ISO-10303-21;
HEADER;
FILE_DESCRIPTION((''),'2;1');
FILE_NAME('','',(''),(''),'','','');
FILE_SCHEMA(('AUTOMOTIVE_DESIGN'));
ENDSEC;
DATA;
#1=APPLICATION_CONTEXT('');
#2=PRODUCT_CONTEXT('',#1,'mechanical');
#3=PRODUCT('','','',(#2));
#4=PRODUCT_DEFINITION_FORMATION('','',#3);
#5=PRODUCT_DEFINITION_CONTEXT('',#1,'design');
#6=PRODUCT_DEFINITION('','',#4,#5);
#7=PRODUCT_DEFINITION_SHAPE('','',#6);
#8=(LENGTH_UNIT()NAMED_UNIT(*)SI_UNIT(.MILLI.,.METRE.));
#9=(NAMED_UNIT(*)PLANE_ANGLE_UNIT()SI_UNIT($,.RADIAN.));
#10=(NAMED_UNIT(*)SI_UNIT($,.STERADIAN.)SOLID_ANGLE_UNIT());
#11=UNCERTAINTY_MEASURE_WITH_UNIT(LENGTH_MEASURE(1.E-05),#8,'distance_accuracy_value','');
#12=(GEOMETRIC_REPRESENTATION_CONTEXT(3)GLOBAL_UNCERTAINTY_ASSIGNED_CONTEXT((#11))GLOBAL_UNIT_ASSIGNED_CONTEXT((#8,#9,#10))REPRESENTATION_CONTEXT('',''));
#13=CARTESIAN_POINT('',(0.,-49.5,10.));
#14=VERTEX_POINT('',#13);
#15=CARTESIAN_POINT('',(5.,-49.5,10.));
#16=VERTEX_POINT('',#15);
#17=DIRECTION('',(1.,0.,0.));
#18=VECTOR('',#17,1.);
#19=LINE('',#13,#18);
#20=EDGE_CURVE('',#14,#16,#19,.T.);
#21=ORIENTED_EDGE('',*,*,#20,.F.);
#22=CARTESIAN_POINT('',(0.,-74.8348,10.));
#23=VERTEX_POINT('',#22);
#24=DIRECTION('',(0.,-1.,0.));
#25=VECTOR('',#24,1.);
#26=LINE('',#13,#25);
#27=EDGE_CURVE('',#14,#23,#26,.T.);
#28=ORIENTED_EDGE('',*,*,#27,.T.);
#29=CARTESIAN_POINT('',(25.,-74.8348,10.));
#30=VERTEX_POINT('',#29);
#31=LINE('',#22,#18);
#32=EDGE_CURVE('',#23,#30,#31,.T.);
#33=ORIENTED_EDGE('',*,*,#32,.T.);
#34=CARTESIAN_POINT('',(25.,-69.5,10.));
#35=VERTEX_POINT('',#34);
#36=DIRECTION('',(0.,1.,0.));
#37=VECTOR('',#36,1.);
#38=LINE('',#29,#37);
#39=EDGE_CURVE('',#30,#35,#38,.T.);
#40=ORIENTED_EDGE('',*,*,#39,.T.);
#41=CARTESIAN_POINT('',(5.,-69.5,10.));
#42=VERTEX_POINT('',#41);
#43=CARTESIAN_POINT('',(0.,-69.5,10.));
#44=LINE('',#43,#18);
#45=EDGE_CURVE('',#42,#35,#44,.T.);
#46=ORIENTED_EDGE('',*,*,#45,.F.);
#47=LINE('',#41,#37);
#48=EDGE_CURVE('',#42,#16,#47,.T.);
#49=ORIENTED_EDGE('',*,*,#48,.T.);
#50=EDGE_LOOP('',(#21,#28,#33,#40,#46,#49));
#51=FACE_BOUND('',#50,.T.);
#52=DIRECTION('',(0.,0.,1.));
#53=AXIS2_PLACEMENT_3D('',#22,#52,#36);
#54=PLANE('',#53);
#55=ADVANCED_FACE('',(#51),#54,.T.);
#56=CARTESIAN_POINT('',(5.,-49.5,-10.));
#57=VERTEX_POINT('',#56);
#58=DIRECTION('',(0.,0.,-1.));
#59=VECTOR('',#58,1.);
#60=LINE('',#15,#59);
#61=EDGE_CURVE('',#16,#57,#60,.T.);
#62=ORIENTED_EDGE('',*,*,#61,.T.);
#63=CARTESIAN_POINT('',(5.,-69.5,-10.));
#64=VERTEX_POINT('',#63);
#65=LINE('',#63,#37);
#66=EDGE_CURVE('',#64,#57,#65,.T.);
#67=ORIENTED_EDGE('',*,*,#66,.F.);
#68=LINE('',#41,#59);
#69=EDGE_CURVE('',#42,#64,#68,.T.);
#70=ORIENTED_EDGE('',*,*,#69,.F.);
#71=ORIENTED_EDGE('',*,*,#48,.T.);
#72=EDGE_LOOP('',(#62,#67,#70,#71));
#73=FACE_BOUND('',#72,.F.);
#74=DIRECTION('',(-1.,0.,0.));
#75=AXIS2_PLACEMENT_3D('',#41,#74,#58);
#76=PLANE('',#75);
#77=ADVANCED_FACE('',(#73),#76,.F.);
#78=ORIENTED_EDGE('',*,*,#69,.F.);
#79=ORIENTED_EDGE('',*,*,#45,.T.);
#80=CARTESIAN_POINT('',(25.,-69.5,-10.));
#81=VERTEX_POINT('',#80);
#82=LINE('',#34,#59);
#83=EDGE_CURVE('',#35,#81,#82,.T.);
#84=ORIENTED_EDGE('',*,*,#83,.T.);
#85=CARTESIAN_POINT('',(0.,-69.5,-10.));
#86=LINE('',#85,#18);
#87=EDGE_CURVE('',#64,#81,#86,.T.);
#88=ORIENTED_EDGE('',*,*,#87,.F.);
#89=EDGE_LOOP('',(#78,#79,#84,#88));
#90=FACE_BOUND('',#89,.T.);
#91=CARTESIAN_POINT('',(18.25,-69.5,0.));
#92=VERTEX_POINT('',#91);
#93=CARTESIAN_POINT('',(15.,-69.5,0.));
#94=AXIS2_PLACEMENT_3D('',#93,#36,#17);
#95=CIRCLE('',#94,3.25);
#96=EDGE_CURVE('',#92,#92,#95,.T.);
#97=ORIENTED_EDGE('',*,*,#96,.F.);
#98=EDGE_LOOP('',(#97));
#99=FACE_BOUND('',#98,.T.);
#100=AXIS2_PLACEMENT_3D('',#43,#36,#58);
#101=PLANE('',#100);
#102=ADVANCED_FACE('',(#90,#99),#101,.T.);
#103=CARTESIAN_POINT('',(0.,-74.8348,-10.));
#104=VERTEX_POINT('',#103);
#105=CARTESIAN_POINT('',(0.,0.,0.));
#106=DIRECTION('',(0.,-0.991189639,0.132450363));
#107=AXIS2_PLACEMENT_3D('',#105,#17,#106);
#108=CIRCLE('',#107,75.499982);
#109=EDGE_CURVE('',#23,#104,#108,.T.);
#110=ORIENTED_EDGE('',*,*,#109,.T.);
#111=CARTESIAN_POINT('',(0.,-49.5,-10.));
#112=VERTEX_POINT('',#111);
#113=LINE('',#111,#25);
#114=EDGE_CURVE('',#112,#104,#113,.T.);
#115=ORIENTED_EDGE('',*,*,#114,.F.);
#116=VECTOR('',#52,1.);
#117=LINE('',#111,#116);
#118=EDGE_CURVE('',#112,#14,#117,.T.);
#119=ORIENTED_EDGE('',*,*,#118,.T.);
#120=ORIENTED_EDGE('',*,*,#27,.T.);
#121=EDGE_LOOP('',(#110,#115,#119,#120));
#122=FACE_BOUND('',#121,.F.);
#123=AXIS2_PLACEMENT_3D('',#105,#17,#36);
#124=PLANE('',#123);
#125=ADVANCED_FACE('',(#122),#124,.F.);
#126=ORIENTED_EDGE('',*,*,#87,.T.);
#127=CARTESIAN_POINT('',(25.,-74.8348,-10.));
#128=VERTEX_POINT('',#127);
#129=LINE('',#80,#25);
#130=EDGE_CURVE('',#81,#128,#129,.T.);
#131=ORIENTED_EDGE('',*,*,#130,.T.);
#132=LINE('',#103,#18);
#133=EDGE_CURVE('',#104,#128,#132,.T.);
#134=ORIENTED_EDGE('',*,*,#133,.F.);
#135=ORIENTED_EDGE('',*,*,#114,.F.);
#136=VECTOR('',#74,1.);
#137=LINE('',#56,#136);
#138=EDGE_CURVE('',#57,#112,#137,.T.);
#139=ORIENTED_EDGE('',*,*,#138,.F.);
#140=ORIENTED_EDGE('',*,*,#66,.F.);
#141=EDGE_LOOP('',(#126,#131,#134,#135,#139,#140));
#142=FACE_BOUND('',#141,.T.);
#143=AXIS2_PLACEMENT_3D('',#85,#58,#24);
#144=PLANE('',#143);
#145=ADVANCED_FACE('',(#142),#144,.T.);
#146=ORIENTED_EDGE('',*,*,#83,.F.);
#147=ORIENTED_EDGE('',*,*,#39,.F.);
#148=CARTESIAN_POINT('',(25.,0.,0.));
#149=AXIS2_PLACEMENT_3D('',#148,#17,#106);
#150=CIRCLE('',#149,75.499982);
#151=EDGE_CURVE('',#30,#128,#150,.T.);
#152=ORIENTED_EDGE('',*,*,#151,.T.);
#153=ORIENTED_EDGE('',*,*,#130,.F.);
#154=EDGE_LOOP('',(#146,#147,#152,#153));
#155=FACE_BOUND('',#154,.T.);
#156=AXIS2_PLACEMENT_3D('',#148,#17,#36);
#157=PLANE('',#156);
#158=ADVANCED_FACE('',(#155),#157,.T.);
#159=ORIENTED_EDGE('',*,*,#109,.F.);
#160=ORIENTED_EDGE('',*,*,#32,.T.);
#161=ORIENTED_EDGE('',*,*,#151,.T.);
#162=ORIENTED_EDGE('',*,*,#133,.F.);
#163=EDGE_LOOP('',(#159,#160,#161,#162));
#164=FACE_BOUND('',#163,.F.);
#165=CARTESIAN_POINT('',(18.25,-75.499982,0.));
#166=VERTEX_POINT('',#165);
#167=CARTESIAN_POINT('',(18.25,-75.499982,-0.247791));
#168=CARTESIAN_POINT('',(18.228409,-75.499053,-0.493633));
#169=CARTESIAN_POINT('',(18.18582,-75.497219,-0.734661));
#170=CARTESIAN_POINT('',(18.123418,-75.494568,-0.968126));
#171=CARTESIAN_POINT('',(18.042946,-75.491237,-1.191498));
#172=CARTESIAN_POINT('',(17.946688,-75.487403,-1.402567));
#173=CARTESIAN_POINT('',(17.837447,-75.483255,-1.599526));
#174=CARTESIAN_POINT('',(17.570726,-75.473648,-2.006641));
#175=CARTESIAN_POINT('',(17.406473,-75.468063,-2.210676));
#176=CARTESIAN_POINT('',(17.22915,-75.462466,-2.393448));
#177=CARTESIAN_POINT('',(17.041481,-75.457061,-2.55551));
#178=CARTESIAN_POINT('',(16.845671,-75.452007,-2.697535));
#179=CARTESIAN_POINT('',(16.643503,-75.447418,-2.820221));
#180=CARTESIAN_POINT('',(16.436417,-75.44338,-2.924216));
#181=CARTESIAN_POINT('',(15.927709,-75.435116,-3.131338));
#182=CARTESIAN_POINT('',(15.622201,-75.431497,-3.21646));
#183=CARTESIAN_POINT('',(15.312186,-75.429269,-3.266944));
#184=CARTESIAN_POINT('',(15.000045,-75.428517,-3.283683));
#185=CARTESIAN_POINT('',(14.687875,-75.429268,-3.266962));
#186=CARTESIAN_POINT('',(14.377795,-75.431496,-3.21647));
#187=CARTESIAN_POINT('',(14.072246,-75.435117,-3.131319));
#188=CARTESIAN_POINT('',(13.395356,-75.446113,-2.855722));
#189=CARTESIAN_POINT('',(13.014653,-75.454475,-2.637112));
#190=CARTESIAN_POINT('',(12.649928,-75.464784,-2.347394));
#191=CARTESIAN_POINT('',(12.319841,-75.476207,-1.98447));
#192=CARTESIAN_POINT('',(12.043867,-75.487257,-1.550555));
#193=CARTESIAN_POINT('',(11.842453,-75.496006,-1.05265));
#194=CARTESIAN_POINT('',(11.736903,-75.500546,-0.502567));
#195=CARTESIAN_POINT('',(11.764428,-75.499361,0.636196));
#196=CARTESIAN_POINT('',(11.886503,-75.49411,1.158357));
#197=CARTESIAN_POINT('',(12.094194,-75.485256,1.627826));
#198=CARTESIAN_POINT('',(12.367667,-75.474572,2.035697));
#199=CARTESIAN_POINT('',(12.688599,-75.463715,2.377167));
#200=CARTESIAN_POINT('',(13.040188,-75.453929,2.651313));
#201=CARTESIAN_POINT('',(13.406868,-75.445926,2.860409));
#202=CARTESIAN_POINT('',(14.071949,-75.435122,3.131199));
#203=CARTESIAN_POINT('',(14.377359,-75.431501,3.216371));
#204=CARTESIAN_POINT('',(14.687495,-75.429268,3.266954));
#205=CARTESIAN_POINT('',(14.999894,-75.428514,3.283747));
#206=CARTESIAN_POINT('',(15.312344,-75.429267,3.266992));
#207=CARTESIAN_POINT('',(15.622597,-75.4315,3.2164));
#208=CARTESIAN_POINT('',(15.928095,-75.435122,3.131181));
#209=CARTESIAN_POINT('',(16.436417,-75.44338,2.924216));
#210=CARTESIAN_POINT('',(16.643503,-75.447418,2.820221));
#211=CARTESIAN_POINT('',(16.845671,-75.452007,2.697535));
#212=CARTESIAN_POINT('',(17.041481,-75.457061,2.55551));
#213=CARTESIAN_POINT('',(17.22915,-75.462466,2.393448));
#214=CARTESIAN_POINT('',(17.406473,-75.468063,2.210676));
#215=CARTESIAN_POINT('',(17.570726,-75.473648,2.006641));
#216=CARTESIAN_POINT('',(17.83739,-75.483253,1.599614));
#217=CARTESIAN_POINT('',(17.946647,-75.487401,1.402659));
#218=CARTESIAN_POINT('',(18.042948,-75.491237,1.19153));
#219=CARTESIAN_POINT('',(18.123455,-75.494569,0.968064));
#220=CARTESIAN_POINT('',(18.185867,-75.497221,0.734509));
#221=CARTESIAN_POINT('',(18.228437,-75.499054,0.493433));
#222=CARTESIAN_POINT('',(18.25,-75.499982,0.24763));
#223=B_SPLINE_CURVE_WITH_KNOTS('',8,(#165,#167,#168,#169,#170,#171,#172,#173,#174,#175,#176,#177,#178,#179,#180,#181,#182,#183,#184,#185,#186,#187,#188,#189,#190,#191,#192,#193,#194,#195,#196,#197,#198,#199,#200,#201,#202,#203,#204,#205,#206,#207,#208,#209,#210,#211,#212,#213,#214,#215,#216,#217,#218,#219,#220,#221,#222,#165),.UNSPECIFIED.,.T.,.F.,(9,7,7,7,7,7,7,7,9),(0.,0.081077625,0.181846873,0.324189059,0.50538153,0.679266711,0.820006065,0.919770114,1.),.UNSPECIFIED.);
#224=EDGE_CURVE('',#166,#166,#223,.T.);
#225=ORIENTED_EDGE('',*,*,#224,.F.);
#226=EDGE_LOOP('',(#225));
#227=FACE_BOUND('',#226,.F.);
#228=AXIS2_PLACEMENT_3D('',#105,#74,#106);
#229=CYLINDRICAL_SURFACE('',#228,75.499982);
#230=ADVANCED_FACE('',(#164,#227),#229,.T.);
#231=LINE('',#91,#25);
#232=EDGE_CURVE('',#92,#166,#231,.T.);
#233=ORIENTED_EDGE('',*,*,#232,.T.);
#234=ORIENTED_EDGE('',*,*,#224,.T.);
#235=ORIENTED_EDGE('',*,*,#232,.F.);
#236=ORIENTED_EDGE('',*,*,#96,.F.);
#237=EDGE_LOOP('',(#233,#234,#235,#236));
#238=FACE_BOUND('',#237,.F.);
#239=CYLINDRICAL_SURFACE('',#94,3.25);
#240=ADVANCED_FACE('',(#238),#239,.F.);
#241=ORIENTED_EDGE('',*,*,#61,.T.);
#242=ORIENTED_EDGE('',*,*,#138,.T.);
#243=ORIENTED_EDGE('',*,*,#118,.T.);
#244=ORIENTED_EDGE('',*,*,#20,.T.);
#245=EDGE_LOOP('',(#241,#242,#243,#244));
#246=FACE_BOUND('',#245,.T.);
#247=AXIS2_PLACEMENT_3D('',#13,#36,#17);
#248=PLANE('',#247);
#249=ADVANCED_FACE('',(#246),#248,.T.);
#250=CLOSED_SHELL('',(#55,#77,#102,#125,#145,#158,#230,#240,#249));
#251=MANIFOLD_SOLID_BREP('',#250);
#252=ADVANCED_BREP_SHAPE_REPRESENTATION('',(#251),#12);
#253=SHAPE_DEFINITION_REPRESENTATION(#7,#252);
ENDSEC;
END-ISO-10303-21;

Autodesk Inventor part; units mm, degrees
ref_plane "YZ Plane" through (0, 0, 0) normal (1, 0, 0) x (0, 1, 0)
ref_plane "XZ Plane" through (0, 0, 0) normal (0, 1, 0) x (-1, 0, 0)
ref_plane "XY Plane" through (0, 0, 0) normal (0, 0, 1) x (1, 0, 0)
sketch "Skizze1" plane through (0, 0, 0) normal (1, 0, 0) x (0, 1, 0)
  circle A0 centre (0, 0) radius 75.5 construction
  arc A1 (-74.8348, 10) -> (-74.8348, -10) centre (0, 0) ccw
  line L0 (-74.8348, 10) -> (-69.5, 10)
  line L1 (-69.5, 10) -> (-69.5, -10)
  line L2 (-69.5, -10) -> (-74.8348, -10)
  point P0 (-75.5, 0)
  dimension "d3" = 151
  dimension "d4" = 6
  dimension "d5" = 20
extrude "Extrusion1" add sketch "Skizze1" along normal blind 25
sketch "Skizze2" plane through (0, -69.5, 10) normal (0, 1, 0) x (1, 0, 0)
  line L0 (0, 0) -> (5, 0)
  line L1 (5, 0) -> (5, 20)
  line L2 (5, 20) -> (0, 20)
  line L3 (0, 20) -> (0, 0)
  line L4 (0, 20) -> (25, 20) projected
  point P0 (0, 10)
  dimension "d8" = 5
extrude "Extrusion2" add sketch "Skizze2" along normal blind 20
sketch "Skizze3" plane through (25, -69.5, 10) normal (0, 1, 0) x (1, 0, 0)
  circle A0 centre (-10, 10) radius 3.25
  line L0 (-20, 20) -> (-20, 0) construction
  line L1 (-20, 0) -> (0, 0) construction
  line L2 (0, 20) -> (0, 0) construction
  line L3 (-20, 20) -> (0, 20) construction
  line L4 (-20, 20) -> (0, 0) construction
  line L5 (0, 20) -> (-20, 0) construction
  point P0 (-25, 10)
  dimension "d11" = 6.5
extrude "Extrusion4" cut sketch "Skizze3" against normal blind 10
properties part number "Slider_Winkel"
